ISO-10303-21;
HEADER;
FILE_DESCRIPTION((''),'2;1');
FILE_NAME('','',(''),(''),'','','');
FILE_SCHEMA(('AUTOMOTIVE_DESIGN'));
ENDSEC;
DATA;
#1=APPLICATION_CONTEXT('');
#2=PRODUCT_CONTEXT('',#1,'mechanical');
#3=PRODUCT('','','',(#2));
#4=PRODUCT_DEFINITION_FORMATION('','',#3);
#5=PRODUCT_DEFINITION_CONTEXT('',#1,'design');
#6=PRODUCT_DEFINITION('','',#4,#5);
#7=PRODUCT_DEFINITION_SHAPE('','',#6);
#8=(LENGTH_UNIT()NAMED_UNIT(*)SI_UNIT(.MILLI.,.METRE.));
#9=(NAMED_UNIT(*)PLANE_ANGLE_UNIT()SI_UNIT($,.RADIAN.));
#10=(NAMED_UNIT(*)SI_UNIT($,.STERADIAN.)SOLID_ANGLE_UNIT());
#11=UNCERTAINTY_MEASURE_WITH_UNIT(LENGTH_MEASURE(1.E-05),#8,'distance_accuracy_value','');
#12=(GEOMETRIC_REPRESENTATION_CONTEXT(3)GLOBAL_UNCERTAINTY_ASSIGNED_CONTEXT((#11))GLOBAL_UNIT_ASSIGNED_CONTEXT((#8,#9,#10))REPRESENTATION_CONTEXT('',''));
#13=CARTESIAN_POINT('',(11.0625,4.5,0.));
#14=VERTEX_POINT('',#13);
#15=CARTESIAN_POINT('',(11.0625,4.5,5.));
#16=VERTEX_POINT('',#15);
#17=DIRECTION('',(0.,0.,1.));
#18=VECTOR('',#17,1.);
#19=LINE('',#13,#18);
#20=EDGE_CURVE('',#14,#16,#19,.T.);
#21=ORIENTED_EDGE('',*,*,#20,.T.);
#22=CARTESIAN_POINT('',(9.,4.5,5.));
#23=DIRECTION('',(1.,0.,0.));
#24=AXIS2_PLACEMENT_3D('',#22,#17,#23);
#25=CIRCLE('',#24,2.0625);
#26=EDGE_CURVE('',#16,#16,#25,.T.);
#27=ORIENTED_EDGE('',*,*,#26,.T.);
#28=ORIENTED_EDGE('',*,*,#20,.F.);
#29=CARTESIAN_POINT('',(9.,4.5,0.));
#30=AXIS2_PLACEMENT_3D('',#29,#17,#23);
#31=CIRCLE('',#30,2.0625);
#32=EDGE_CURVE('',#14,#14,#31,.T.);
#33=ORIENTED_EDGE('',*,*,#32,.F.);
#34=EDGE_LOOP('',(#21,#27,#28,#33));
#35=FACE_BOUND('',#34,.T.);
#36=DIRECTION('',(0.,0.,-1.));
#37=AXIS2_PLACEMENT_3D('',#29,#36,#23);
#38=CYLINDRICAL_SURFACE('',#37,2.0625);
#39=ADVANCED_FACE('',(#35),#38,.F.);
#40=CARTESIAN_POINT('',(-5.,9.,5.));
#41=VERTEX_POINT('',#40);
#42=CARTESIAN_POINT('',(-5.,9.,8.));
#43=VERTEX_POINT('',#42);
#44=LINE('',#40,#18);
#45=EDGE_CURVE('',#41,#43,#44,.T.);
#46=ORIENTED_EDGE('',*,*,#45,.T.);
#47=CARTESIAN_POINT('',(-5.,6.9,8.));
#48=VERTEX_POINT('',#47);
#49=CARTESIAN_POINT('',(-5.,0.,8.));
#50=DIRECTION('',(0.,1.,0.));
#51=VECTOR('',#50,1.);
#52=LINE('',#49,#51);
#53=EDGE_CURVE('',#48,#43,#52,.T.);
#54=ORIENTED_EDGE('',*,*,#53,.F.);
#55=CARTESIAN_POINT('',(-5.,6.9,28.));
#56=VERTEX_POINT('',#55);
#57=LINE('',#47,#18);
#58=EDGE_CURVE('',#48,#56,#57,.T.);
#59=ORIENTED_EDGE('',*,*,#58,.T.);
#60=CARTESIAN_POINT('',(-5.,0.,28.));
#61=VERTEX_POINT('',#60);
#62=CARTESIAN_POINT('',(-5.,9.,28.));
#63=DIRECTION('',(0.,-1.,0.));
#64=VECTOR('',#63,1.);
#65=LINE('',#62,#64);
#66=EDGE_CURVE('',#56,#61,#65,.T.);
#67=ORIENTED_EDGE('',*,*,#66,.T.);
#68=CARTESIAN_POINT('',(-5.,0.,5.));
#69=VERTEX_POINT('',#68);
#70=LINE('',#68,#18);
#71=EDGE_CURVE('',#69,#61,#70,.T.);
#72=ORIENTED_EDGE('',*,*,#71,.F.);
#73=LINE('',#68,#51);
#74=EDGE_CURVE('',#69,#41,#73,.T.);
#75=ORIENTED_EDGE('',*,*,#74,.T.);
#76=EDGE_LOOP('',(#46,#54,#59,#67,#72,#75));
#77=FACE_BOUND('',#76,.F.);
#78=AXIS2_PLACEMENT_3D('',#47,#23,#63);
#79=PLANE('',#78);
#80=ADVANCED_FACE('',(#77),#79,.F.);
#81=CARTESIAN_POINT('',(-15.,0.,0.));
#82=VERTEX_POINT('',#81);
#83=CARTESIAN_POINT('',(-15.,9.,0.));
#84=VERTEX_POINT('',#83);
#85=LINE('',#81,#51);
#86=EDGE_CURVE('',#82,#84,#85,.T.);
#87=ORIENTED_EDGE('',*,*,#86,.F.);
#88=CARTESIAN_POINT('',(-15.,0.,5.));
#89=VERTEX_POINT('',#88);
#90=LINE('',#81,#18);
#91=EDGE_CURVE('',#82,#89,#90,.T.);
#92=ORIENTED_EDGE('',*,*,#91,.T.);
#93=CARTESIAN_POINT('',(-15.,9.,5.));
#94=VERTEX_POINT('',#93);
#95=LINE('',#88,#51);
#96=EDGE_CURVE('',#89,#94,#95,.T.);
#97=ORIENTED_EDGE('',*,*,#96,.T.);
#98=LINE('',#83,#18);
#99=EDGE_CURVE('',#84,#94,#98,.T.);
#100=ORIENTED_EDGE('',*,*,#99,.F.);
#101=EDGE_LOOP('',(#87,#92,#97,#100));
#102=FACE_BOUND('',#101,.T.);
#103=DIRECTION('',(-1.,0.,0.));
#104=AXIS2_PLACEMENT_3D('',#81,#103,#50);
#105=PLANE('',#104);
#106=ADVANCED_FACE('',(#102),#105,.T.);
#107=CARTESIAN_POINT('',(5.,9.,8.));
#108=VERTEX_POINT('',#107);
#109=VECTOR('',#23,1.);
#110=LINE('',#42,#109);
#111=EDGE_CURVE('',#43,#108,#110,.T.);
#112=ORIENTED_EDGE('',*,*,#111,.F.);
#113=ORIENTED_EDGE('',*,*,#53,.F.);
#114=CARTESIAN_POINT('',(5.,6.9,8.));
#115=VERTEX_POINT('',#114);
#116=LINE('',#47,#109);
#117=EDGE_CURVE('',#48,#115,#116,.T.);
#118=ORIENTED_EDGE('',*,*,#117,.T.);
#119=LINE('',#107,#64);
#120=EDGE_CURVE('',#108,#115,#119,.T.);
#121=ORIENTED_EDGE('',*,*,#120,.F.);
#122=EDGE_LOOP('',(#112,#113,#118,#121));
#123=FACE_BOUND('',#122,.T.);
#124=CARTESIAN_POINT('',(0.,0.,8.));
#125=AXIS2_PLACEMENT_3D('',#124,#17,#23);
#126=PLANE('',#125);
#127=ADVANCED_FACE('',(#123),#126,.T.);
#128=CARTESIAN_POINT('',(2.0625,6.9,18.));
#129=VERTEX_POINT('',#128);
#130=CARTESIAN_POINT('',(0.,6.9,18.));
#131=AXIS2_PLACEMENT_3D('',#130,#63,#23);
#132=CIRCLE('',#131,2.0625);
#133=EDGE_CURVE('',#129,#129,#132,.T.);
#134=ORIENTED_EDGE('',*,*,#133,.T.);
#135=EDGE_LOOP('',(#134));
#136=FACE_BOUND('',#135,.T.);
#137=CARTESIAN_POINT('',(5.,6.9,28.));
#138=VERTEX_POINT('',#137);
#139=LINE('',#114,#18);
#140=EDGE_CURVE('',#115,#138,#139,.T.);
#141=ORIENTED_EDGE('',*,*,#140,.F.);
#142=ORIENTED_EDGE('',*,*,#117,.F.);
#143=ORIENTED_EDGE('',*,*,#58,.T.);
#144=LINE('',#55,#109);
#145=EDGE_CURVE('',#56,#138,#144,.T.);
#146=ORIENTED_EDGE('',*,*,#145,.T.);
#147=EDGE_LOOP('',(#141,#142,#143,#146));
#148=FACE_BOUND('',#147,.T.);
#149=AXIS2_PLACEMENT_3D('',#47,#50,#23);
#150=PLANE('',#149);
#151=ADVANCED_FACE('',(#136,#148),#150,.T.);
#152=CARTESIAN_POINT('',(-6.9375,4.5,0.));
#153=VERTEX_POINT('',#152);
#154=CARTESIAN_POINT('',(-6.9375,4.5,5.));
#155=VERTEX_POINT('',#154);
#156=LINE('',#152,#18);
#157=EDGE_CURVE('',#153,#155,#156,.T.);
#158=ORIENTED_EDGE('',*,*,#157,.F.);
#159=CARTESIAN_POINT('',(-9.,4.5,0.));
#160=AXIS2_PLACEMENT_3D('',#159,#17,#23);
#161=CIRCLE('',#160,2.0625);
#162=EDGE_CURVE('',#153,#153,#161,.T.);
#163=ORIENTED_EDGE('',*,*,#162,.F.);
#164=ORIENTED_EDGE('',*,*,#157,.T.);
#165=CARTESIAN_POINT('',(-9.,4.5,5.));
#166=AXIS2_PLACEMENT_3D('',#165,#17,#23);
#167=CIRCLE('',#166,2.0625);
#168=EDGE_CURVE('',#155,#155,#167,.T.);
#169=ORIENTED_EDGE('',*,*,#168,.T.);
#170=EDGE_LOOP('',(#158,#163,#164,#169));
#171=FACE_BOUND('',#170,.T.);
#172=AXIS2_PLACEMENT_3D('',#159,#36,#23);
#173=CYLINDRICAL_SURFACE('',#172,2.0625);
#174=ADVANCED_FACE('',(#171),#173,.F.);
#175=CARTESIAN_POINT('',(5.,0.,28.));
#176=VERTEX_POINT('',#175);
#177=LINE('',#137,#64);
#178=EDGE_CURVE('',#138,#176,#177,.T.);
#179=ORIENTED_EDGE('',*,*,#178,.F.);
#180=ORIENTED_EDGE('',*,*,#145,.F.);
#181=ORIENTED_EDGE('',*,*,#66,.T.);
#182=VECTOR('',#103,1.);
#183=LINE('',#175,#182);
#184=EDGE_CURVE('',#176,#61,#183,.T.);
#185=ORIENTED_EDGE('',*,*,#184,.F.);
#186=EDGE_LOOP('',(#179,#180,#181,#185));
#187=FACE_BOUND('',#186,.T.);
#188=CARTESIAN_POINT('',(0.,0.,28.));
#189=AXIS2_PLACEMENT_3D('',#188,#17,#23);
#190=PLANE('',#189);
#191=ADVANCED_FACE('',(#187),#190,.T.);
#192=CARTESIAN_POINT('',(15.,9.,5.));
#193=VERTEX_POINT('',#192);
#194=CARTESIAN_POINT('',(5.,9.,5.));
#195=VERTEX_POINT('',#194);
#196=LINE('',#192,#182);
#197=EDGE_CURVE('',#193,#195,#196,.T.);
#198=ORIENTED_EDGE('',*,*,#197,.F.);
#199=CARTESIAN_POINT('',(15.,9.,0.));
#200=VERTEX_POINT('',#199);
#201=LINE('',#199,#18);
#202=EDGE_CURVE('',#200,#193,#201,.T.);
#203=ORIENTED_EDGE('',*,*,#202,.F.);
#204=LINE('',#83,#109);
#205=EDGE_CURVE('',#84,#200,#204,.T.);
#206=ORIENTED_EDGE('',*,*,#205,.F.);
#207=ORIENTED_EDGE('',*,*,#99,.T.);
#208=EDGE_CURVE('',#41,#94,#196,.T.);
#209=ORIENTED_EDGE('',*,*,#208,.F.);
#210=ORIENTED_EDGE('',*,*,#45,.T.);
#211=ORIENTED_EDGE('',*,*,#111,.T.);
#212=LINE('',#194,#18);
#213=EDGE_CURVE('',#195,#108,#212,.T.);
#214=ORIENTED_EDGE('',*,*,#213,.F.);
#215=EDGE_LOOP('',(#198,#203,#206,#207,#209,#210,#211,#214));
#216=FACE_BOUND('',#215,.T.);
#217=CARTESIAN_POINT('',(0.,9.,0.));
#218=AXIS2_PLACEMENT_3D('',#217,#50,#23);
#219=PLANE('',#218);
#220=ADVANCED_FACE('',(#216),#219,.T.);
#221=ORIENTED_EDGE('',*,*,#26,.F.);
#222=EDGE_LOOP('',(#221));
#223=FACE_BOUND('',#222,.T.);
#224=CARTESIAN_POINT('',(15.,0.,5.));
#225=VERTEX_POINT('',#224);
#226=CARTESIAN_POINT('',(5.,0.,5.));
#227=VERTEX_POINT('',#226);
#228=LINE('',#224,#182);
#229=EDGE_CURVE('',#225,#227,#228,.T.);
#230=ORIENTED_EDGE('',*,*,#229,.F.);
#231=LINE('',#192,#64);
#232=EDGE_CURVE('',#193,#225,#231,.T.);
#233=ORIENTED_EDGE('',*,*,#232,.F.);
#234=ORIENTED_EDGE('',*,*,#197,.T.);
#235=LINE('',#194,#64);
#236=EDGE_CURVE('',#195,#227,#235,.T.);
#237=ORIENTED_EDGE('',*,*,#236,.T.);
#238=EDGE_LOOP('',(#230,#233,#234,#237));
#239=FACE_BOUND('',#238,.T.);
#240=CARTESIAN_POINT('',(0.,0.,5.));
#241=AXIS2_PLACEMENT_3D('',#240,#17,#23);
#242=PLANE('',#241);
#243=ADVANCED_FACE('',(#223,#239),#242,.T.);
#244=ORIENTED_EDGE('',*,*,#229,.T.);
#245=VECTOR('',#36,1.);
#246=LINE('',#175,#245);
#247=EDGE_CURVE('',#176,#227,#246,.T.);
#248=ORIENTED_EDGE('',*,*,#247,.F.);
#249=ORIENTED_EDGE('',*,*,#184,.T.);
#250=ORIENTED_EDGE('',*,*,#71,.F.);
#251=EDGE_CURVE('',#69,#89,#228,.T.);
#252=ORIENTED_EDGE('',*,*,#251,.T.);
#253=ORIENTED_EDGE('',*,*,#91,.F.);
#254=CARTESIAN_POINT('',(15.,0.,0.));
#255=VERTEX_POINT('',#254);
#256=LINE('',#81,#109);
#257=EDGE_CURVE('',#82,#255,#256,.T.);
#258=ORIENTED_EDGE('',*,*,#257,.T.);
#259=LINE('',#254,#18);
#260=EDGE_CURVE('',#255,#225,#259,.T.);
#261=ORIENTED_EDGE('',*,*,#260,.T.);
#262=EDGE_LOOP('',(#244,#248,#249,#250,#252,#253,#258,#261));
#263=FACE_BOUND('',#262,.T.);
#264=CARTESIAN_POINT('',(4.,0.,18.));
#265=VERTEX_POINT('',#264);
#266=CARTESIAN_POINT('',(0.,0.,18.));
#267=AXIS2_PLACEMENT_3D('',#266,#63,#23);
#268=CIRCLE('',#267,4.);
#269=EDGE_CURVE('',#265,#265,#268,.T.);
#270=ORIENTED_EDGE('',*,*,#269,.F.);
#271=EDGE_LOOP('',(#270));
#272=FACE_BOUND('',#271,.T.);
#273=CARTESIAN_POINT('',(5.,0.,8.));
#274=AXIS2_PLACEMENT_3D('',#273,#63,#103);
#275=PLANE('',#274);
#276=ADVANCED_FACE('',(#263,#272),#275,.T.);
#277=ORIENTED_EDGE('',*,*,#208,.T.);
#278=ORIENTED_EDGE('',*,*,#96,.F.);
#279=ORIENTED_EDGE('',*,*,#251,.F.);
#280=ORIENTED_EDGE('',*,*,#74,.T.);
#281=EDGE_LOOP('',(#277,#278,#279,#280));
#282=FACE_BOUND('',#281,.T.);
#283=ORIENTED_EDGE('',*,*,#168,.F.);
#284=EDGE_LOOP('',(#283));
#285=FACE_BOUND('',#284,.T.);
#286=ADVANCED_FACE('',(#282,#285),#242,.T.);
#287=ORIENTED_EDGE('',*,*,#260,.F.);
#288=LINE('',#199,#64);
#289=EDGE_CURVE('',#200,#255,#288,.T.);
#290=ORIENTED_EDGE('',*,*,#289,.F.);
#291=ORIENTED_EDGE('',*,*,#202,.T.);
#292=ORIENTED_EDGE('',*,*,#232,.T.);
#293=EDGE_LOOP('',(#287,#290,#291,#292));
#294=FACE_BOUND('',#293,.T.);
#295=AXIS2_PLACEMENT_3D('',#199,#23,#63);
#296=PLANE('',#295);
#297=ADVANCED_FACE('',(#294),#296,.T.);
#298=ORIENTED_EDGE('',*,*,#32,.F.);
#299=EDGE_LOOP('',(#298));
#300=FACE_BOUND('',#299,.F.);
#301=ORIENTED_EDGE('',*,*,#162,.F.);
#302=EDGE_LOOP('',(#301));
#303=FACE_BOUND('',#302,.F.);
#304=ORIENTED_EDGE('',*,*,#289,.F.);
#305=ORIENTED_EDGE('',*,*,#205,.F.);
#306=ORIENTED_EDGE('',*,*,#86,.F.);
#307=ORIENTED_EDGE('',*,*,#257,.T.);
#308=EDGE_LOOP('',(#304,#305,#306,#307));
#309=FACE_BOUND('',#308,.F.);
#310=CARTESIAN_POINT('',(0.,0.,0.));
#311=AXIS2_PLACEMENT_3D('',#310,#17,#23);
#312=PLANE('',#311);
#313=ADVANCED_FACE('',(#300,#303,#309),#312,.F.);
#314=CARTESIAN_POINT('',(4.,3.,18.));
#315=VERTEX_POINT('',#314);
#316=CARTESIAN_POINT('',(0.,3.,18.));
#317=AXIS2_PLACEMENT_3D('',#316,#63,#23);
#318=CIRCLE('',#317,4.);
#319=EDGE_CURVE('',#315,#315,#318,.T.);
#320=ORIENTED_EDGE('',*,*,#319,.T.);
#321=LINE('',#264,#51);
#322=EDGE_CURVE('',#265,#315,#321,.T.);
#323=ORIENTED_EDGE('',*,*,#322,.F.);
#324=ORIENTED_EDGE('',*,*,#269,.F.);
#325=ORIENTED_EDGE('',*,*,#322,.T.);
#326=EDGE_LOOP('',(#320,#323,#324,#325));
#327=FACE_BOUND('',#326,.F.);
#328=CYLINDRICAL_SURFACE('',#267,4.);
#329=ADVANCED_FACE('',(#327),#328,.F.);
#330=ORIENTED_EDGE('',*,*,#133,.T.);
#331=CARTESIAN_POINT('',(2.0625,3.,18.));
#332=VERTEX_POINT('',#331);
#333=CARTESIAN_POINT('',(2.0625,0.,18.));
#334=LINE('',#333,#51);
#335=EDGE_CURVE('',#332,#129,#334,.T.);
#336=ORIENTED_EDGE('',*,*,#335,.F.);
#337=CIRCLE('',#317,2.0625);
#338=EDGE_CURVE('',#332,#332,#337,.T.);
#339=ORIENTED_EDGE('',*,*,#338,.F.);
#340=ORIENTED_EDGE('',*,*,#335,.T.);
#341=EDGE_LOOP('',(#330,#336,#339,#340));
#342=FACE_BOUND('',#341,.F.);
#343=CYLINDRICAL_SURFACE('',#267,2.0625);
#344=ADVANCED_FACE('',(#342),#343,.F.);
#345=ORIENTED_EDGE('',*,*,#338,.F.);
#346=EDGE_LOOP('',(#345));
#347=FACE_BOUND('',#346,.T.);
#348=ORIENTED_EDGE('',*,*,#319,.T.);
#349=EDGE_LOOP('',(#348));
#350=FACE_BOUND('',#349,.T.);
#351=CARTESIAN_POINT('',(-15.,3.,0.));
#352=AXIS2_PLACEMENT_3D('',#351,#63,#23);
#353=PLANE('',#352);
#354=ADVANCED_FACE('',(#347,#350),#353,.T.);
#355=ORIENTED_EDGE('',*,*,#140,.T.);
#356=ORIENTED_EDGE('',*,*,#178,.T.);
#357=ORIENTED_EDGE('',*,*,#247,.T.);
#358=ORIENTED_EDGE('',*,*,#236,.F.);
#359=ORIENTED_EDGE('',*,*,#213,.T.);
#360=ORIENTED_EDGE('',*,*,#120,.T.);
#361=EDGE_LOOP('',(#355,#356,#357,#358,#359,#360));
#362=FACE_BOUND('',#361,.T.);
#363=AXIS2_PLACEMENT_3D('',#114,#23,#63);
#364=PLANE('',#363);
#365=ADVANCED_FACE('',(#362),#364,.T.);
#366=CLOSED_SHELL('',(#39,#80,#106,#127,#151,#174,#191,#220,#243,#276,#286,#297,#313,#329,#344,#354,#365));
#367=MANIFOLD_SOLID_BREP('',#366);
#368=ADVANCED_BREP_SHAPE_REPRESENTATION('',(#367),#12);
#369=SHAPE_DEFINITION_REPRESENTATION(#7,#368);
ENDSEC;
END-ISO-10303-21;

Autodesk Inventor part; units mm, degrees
ref_plane "YZ Plane" through (0, 0, 0) normal (1, 0, 0) x (0, 1, 0)
ref_plane "XZ Plane" through (0, 0, 0) normal (0, 1, 0) x (-1, 0, 0)
ref_plane "XY Plane" through (0, 0, 0) normal (0, 0, 1) x (1, 0, 0)
sketch "Sketch1" plane through (0, 0, 0) normal (0, 0, 1) x (1, 0, 0)
  line L0 (15, 0) -> (-15, 0)
  line L1 (-15, 0) -> (-15, 9)
  line L2 (-15, 9) -> (15, 9)
  line L3 (15, 9) -> (15, 0)
  line L4 (0, 10.8) -> (0, -1.8) projected
  circle A0 centre (9, 4.5) radius 2.0625
  circle A1 centre (-9, 4.5) radius 2.0625
  point P0 (0, 0)
  dimension "d0" = 9
  dimension "d1" = 30
  dimension "d4" = 4.125
  dimension "d5" = 6
  dimension "d6" = 4.5
extrude "Extrusion1" add sketch "Sketch1" along normal blind 5
sketch "Sketch2" plane through (0, 0, 5) normal (0, 0, 1) x (1, 0, 0)
  line L0 (-15, 0) -> (15, 0) projected
  line L1 (15, 9) -> (-15, 9) projected
  line L2 (5, 0) -> (-5, 0)
  line L3 (-5, 0) -> (-5, 9)
  line L4 (-5, 9) -> (5, 9)
  line L5 (5, 9) -> (5, 0)
  line L6 (0, 10.8) -> (0, -1.8) projected
  point P0 (0, 0)
  dimension "d7" = 10
extrude "Extrusion2" add sketch "Sketch2" along normal blind 3
sketch "Sketch3" plane through (0, 0, 8) normal (0, 0, 1) x (1, 0, 0)
  line L0 (-5, 9) -> (-5, 0) projected
  line L1 (5, 0) -> (-5, 0)
  line L2 (-5, 0) -> (-5, 6.9)
  line L3 (-5, 6.9) -> (5, 6.9)
  line L4 (5, 6.9) -> (5, 0)
  point P0 (0, 0)
  dimension "d10" = 6.9
extrude "Extrusion3" add sketch "Sketch3" along normal blind 20
sketch "Sketch4" plane through (-15, 0, 0) normal (0, -1, 0) x (1, 0, 0)
  circle A0 centre (15, 18) radius 4
  circle A1 centre (15, 18) radius 2.0625
  line L0 (10, 28) -> (20, 28) projected
  point P0 (15, 0)
  dimension "d13" = 8
  dimension "d14" = 4.125
  dimension "d19" = 10
extrude "Extrusion4" cut sketch "Sketch4" against normal blind 3 contours A0 | A1
extrude "Extrusion5" cut sketch "Sketch4" against normal up to next contours A1
properties part number "Linear Bearing Adapter Arm"
